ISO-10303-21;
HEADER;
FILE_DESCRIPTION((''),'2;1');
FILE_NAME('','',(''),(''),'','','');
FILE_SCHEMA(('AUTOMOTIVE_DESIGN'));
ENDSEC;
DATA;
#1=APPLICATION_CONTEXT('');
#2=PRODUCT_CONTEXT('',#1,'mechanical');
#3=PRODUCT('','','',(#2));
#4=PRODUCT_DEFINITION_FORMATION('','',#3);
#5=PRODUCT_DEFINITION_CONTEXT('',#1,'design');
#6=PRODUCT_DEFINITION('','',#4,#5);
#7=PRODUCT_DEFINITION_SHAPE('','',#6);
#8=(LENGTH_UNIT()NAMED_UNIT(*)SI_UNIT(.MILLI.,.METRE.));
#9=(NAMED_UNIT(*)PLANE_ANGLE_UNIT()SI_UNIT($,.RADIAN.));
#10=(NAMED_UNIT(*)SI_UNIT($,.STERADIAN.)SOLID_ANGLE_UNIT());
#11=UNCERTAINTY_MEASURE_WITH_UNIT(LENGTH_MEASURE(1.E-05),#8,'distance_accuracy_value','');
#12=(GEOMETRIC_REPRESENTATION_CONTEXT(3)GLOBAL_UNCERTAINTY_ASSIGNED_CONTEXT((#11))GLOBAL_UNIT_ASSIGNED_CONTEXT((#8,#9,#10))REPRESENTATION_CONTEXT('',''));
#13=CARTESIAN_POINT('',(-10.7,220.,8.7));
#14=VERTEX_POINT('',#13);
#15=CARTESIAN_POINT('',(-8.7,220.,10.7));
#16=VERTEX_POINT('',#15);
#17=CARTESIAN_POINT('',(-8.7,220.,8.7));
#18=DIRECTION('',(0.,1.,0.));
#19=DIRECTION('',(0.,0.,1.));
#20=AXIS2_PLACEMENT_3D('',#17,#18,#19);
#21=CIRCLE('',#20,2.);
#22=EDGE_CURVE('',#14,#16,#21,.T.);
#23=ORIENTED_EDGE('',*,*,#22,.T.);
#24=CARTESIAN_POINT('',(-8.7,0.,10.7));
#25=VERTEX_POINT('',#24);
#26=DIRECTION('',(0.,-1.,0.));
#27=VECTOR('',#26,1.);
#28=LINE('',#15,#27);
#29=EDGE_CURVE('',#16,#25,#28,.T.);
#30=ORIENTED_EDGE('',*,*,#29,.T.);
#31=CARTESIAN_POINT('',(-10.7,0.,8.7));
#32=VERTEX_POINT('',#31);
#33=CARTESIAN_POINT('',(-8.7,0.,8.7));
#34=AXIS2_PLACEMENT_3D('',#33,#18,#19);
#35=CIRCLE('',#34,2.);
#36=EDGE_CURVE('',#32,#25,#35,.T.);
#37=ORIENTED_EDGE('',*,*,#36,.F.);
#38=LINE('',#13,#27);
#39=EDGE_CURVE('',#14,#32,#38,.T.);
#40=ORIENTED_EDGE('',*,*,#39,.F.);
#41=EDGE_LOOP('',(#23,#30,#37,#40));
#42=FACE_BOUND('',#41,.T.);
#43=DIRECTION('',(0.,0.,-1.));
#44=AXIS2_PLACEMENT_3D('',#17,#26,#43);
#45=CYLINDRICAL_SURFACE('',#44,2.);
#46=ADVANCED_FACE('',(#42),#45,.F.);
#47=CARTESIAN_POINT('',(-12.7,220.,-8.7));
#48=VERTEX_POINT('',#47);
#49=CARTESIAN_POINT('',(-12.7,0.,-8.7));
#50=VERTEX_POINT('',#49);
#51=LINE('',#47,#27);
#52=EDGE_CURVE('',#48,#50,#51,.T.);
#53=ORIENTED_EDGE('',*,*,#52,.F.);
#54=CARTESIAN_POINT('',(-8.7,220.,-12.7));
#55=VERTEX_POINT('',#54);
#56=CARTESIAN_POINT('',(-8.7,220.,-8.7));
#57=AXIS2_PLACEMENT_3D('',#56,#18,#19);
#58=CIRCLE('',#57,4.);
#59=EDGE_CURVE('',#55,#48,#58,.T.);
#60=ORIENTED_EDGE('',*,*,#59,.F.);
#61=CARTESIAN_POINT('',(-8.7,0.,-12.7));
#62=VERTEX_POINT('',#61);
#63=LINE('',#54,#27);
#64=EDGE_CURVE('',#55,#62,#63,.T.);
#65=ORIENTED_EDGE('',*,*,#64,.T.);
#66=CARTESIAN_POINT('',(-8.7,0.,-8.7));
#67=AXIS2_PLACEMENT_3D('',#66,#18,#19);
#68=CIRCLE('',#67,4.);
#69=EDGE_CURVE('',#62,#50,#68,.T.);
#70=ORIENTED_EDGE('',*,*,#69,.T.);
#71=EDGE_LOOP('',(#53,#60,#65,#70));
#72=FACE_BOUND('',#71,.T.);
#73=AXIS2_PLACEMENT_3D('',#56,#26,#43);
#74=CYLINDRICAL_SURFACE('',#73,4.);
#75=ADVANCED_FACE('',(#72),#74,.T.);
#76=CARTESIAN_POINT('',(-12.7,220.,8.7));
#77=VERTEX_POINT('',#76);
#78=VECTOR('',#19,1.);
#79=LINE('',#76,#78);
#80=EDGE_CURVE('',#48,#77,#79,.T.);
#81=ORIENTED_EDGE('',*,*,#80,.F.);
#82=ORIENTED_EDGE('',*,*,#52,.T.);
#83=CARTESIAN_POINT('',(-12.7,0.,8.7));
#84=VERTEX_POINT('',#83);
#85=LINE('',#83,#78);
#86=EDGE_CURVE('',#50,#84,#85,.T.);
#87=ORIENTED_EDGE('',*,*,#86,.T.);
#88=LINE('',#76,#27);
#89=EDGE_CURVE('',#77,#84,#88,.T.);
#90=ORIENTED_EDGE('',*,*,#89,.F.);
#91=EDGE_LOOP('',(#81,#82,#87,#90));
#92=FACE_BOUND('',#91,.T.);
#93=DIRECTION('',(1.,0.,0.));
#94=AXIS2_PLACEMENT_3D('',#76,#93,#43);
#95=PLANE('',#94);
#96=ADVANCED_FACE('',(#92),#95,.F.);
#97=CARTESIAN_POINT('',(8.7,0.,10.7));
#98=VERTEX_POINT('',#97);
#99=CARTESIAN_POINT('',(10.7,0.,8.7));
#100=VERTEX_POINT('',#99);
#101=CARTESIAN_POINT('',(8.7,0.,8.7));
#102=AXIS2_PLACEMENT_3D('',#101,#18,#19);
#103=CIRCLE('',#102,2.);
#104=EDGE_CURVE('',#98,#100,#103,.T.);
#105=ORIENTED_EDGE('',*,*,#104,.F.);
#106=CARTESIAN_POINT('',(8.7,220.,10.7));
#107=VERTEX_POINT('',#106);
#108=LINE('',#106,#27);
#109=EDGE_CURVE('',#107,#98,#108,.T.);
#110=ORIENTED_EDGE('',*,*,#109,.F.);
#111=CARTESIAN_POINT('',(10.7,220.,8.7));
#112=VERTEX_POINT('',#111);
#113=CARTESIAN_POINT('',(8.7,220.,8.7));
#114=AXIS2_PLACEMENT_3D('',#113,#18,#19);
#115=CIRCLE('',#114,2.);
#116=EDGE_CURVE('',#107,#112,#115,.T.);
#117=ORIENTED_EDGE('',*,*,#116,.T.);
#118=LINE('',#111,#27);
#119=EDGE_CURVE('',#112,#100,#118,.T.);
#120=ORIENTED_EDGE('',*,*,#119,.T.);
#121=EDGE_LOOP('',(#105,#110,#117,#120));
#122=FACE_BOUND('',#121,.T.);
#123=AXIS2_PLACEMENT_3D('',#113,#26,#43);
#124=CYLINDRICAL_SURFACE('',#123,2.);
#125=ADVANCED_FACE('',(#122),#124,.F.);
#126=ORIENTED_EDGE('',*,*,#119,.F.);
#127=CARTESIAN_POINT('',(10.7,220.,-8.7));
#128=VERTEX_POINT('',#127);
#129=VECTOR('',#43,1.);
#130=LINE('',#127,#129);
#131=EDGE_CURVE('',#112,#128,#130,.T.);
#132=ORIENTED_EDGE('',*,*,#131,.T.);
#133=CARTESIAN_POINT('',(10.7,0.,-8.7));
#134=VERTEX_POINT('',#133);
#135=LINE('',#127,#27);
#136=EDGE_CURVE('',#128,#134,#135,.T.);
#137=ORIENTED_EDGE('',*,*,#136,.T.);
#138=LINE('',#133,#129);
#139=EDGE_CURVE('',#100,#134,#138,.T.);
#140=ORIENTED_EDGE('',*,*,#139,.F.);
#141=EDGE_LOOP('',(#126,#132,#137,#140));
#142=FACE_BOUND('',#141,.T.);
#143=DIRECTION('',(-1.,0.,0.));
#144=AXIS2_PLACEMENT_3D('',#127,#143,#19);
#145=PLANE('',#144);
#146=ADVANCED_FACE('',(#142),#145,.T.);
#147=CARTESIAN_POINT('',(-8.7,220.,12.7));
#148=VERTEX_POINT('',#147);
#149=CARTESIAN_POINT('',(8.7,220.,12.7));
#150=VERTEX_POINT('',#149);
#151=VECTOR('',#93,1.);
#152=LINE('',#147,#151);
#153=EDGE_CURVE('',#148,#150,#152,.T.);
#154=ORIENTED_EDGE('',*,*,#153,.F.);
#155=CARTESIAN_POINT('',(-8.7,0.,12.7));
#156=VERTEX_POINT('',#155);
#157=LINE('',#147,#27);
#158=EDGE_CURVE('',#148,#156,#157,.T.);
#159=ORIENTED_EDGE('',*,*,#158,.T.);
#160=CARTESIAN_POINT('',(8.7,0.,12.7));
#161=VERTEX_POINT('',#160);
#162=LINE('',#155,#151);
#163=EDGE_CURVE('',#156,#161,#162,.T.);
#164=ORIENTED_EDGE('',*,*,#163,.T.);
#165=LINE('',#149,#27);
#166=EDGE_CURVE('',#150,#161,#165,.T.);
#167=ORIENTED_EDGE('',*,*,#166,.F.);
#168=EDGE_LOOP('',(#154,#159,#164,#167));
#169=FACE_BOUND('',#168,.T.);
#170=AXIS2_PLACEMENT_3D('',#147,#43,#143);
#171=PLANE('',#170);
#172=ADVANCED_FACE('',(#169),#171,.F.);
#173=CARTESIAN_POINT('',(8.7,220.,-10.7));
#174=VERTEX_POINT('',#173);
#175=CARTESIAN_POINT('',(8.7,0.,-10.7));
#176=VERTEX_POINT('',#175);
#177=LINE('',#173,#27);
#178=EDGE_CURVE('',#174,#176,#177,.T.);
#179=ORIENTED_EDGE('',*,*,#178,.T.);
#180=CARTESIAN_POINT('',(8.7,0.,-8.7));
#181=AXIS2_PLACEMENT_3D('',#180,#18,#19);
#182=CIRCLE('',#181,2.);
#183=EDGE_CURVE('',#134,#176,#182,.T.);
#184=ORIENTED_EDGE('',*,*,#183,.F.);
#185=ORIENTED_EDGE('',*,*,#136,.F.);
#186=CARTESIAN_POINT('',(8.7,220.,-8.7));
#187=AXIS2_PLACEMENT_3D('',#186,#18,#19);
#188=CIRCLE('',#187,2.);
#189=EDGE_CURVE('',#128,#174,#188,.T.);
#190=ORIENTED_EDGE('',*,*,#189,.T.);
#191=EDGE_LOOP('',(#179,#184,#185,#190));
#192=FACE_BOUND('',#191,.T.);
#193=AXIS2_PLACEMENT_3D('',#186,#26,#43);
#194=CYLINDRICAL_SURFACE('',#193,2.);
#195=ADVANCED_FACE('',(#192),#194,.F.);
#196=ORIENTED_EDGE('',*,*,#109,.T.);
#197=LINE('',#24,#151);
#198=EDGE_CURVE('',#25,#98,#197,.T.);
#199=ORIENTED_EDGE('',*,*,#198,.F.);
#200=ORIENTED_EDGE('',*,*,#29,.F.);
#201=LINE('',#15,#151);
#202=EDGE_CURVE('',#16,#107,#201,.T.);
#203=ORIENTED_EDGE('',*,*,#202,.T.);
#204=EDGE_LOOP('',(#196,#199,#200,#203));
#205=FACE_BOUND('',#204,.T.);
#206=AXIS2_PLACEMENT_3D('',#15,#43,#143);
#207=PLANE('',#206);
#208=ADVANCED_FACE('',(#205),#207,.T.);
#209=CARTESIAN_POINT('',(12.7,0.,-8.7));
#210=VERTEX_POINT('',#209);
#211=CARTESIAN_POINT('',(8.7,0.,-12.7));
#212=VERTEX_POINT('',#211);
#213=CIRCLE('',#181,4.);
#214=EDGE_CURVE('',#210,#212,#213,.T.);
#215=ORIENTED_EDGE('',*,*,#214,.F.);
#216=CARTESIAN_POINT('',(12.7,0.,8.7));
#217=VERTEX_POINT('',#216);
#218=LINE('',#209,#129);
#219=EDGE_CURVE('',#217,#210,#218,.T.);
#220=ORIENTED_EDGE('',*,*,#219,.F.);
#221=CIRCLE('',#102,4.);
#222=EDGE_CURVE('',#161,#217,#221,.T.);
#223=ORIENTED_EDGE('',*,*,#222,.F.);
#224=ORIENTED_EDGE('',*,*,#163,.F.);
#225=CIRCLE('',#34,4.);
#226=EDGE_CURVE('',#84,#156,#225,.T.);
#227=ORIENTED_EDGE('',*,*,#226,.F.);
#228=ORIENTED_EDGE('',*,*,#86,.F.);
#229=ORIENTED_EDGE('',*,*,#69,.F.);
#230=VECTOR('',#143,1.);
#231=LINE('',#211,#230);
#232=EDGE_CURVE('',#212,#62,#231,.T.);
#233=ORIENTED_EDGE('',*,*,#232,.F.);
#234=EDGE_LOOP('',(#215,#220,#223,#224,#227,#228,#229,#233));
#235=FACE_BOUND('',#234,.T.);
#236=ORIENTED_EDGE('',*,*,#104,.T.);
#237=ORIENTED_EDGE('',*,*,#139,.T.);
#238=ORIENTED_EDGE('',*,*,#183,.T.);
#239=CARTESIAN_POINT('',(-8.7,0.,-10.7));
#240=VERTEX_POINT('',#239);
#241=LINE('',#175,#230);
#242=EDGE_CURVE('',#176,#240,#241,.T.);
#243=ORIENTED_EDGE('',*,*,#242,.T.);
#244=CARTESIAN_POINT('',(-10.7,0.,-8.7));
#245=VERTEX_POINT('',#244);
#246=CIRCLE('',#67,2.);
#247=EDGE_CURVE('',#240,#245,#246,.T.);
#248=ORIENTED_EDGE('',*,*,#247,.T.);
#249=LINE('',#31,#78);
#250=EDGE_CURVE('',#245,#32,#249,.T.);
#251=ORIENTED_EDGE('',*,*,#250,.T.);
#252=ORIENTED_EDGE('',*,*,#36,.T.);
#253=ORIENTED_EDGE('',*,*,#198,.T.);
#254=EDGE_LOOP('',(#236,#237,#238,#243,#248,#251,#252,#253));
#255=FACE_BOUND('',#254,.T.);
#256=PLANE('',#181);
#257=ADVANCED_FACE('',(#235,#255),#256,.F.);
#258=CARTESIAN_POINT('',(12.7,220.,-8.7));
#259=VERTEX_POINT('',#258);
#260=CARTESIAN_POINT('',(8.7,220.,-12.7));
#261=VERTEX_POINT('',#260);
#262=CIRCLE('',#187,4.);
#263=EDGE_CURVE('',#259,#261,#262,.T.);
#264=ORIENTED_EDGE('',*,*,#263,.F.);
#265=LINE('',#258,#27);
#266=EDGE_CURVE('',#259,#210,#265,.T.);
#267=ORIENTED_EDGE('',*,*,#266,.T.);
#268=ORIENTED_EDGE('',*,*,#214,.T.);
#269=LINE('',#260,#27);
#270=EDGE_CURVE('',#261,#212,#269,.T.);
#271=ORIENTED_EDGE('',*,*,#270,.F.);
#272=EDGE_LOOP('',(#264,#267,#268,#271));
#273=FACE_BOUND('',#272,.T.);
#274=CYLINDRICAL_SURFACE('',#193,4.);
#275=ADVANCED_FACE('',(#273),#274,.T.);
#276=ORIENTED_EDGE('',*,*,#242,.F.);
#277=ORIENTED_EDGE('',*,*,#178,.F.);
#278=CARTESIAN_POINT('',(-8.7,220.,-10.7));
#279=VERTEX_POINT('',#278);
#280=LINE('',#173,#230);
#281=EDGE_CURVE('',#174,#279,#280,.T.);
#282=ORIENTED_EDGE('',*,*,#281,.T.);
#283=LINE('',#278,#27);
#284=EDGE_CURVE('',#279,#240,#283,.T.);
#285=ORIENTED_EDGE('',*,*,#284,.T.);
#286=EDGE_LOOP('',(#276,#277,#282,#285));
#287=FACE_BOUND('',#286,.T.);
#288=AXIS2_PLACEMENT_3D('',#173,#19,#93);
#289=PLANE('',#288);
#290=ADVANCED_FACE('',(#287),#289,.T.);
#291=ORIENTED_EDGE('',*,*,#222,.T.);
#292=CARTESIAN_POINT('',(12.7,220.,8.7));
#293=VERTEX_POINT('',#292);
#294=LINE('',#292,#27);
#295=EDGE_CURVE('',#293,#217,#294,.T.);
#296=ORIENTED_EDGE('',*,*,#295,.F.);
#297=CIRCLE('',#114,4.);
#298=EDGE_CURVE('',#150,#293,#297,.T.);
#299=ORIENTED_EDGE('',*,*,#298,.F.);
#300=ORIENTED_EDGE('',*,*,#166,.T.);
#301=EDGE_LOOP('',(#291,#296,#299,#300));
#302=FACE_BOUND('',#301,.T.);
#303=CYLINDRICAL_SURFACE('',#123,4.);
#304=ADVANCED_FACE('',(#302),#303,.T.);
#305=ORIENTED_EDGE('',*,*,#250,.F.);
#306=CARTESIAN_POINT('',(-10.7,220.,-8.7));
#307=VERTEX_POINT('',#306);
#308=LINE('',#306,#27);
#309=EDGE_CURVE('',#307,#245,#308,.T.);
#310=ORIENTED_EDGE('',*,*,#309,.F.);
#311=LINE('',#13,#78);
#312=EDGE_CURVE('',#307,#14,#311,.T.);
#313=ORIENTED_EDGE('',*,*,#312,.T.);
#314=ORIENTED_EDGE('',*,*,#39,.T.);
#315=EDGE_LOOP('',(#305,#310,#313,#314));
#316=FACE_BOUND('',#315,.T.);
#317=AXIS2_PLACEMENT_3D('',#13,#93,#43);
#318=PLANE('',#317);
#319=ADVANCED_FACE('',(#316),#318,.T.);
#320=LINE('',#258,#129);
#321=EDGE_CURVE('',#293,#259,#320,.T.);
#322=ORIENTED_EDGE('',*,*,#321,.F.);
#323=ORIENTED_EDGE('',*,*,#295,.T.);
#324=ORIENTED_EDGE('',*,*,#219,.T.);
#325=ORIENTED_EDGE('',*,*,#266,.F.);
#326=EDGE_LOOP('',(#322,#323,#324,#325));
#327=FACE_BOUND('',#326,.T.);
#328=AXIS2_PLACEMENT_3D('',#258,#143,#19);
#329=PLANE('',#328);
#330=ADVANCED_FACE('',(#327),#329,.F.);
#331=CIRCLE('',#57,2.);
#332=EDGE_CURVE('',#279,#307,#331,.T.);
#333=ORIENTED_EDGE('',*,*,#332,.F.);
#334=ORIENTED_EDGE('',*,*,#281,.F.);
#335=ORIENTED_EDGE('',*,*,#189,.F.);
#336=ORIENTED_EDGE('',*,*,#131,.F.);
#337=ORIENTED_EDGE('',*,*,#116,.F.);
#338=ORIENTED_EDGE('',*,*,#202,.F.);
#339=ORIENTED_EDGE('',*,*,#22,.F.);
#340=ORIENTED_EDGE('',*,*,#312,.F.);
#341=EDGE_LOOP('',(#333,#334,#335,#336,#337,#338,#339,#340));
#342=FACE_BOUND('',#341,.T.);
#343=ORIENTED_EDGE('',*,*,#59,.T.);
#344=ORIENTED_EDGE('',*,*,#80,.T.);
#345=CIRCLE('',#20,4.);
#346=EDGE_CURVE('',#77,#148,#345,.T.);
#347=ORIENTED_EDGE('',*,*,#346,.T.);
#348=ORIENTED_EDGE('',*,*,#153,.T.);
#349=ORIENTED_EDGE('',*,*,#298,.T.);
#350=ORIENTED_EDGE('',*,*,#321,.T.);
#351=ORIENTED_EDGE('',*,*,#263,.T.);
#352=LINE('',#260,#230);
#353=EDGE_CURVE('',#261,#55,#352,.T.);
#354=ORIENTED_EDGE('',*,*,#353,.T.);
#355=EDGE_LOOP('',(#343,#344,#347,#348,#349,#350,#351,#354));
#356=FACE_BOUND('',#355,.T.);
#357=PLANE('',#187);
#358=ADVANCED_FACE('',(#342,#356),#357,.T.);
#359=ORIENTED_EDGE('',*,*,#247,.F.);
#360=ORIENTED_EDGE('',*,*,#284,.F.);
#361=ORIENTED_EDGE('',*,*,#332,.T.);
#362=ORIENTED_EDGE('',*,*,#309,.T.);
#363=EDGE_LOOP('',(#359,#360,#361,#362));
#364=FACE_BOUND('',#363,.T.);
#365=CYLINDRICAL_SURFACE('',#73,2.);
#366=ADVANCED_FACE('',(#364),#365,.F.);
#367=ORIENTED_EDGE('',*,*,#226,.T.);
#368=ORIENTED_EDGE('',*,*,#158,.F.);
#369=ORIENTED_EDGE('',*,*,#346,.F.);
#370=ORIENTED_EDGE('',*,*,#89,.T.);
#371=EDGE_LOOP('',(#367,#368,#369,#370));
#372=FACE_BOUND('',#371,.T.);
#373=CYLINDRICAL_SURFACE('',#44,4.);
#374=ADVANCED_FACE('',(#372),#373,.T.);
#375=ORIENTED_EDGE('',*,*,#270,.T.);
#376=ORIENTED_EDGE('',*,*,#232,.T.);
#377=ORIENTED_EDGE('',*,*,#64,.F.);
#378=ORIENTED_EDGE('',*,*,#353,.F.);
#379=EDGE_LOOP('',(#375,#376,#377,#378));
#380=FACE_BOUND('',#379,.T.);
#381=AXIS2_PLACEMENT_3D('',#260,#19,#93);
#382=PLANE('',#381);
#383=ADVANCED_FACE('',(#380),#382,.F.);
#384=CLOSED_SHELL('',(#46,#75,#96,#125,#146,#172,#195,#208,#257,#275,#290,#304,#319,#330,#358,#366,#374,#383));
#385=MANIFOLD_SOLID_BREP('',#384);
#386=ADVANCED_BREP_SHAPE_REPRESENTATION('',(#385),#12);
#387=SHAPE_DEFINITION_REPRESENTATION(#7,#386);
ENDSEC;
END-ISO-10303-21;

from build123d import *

# Parameters (mm, degrees)
SQUARE_TUBE_20_X_20_X_2_1_DEPTH = 220


with BuildPart() as part:
    # Sketch1 → Square tube 20 X 20 X 2(1) (new body)
    with BuildSketch(Plane(origin=(0, 0, 0), x_dir=(1, 0, 0), z_dir=(0, 1, 0))):
        with BuildLine():
            Line((-8.7, -12.7), (8.7, -12.7))
            ThreePointArc((8.7, -12.7), (11.528427125, -11.528427125), (12.7, -8.7))
            Line((12.7, -8.7), (12.7, 8.7))
            ThreePointArc((12.7, 8.7), (11.528427125, 11.528427125), (8.7, 12.7))
            Line((8.7, 12.7), (-8.7, 12.7))
            ThreePointArc((-8.7, 12.7), (-11.528427125, 11.528427125), (-12.7, 8.7))
            Line((-12.7, 8.7), (-12.7, -8.7))
            ThreePointArc((-12.7, -8.7), (-11.528427125, -11.528427125), (-8.7, -12.7))
        make_face()
        with BuildLine():
            Line((-8.7, -10.7), (8.7, -10.7))
            ThreePointArc((8.7, -10.7), (10.114213562, -10.114213562), (10.7, -8.7))
            Line((10.7, -8.7), (10.7, 8.7))
            ThreePointArc((10.7, 8.7), (10.114213562, 10.114213562), (8.7, 10.7))
            Line((8.7, 10.7), (-8.7, 10.7))
            ThreePointArc((-8.7, 10.7), (-10.114213562, 10.114213562), (-10.7, 8.7))
            Line((-10.7, 8.7), (-10.7, -8.7))
            ThreePointArc((-10.7, -8.7), (-10.114213562, -10.114213562), (-8.7, -10.7))
        make_face(mode=Mode.SUBTRACT)
    extrude(amount=SQUARE_TUBE_20_X_20_X_2_1_DEPTH)


solid = part.part
